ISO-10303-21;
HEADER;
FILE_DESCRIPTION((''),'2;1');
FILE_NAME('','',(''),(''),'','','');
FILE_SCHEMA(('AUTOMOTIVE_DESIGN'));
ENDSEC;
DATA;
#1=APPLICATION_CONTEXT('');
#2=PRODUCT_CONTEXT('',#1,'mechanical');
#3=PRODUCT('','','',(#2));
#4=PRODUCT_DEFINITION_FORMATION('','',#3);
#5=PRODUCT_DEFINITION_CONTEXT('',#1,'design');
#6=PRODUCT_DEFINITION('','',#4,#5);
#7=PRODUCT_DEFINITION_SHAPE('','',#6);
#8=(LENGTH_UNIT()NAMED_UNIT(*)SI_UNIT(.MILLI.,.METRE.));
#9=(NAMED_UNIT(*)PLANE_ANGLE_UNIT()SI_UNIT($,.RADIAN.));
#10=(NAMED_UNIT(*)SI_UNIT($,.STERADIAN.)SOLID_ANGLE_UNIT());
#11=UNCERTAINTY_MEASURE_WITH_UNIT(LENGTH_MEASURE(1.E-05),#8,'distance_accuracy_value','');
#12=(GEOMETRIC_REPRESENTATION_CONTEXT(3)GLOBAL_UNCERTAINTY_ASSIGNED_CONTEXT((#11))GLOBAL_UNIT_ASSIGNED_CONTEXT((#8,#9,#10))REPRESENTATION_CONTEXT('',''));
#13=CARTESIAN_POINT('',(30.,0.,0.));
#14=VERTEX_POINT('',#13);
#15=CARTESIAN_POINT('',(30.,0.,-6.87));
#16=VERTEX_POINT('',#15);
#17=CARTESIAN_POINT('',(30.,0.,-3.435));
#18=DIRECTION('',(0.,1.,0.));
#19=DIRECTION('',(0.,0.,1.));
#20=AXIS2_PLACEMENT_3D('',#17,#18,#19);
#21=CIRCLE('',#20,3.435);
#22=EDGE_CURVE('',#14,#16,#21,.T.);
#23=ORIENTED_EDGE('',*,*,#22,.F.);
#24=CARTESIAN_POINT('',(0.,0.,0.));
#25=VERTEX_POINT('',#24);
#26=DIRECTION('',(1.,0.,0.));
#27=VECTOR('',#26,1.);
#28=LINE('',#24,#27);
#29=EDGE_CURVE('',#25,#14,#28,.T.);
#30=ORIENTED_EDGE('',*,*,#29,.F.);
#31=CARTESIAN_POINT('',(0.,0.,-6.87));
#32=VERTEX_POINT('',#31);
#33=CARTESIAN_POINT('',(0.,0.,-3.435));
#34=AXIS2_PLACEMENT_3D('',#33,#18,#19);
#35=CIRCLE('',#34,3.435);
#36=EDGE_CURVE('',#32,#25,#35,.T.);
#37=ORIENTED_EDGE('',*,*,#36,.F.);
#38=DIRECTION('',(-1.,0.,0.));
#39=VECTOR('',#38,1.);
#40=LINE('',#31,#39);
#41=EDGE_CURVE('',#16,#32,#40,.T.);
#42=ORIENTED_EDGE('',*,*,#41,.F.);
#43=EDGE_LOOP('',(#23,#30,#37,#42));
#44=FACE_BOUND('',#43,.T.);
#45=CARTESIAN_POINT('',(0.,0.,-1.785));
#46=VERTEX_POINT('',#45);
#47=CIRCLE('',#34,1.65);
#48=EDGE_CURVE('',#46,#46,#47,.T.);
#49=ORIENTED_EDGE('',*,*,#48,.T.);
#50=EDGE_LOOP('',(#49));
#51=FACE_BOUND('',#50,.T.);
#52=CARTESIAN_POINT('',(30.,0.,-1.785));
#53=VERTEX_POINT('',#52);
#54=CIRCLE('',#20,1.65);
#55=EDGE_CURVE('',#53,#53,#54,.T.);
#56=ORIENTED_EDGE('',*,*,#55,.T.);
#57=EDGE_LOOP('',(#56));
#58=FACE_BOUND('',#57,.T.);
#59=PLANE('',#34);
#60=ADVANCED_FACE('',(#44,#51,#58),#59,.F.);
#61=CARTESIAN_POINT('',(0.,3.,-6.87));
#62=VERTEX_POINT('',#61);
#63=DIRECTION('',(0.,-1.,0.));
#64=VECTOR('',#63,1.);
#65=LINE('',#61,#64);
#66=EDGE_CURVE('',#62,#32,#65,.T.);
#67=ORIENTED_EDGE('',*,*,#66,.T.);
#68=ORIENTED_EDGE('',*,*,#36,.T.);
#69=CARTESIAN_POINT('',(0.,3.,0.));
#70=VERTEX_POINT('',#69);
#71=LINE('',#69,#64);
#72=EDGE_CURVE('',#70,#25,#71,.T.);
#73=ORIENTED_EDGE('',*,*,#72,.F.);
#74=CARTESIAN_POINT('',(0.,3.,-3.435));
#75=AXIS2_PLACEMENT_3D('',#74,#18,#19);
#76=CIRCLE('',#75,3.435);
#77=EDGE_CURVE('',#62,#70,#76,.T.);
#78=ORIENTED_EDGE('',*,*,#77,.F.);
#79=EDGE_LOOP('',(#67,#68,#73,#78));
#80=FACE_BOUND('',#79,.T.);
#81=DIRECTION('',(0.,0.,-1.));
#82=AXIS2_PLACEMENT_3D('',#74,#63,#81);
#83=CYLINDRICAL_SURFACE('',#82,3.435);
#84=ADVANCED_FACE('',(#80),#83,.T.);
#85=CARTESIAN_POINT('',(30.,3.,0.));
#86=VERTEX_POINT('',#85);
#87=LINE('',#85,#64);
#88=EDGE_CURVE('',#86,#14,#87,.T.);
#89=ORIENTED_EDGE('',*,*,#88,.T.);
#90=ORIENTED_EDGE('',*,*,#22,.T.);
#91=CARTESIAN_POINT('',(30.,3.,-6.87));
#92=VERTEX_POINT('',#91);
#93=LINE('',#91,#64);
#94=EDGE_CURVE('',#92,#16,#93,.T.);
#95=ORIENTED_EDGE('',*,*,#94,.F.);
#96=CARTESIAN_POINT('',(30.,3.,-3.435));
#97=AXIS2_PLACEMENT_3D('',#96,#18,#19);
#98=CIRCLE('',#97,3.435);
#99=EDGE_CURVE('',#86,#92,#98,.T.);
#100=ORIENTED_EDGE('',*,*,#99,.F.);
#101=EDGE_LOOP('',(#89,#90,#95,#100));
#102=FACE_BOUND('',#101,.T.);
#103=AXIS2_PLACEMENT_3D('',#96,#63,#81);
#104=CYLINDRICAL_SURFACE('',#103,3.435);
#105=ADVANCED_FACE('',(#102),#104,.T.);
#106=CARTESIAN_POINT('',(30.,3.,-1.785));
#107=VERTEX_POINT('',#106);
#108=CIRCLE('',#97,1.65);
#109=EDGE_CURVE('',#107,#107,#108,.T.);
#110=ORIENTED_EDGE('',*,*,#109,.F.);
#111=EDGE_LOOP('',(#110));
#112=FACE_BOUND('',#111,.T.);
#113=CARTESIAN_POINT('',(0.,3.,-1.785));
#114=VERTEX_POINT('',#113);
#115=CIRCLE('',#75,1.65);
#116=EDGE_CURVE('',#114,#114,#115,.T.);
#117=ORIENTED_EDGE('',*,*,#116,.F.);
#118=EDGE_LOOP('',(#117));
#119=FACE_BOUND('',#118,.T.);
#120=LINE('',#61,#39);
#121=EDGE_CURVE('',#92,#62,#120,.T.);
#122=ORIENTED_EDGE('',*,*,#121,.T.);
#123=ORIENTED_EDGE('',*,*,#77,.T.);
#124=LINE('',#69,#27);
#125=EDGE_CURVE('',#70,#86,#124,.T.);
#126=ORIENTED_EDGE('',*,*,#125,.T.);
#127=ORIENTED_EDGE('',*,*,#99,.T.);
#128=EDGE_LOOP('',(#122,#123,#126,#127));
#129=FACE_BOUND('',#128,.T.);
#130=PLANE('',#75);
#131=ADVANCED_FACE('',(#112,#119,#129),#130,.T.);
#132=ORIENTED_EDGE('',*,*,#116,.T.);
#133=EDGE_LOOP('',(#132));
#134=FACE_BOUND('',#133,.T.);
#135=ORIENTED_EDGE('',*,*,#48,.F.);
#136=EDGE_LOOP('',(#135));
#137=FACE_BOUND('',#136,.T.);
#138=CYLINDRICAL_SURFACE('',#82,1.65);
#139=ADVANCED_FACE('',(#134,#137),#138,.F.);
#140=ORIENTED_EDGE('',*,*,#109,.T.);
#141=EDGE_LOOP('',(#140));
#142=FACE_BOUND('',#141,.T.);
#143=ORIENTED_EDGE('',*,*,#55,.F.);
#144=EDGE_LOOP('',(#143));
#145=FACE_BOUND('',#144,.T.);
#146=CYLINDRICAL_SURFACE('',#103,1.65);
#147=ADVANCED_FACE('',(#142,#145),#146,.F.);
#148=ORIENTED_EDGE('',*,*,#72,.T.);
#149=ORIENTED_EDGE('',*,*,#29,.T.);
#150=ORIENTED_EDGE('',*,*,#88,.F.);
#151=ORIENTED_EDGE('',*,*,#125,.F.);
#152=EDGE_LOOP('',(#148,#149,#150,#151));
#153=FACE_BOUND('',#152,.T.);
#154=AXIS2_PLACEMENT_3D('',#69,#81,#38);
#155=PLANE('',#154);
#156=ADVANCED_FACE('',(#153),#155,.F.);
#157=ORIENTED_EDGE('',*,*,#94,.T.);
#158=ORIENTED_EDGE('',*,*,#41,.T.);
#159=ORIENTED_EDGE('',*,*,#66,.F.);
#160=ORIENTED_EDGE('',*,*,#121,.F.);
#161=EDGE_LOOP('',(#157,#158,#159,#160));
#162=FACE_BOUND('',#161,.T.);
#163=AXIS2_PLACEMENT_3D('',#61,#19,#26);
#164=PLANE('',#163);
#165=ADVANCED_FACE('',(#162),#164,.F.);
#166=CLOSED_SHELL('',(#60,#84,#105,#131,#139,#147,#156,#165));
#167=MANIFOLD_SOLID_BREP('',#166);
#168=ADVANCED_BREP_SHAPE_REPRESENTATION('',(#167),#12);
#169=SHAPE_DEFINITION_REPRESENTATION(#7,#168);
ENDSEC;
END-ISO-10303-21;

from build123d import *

# Parameters (mm, degrees)
SKETCH_1_R      = 1.65
EXTRUDE_1_DEPTH = 3


with BuildPart() as part:
    # 草图1 → 凸台-拉伸1 (new body)
    with BuildSketch(Plane(origin=(0, 0, 0), x_dir=(1, 0, 0), z_dir=(0, 1, 0))):
        with BuildLine():
            Line((0, 0), (30, 0))
            ThreePointArc((30, 0), (33.435, 3.435), (30, 6.87))
            Line((30, 6.87), (0, 6.87))
            ThreePointArc((0, 6.87), (-3.435, 3.435), (0, 0))
        make_face()
        with Locations(Location((0, 3.435, 0), (0, 0, 270))):
            Circle(SKETCH_1_R, mode=Mode.SUBTRACT)
        with Locations(Location((30, 3.435, 0), (0, 0, 270))):
            Circle(SKETCH_1_R, mode=Mode.SUBTRACT)
    extrude(amount=EXTRUDE_1_DEPTH)


solid = part.part
